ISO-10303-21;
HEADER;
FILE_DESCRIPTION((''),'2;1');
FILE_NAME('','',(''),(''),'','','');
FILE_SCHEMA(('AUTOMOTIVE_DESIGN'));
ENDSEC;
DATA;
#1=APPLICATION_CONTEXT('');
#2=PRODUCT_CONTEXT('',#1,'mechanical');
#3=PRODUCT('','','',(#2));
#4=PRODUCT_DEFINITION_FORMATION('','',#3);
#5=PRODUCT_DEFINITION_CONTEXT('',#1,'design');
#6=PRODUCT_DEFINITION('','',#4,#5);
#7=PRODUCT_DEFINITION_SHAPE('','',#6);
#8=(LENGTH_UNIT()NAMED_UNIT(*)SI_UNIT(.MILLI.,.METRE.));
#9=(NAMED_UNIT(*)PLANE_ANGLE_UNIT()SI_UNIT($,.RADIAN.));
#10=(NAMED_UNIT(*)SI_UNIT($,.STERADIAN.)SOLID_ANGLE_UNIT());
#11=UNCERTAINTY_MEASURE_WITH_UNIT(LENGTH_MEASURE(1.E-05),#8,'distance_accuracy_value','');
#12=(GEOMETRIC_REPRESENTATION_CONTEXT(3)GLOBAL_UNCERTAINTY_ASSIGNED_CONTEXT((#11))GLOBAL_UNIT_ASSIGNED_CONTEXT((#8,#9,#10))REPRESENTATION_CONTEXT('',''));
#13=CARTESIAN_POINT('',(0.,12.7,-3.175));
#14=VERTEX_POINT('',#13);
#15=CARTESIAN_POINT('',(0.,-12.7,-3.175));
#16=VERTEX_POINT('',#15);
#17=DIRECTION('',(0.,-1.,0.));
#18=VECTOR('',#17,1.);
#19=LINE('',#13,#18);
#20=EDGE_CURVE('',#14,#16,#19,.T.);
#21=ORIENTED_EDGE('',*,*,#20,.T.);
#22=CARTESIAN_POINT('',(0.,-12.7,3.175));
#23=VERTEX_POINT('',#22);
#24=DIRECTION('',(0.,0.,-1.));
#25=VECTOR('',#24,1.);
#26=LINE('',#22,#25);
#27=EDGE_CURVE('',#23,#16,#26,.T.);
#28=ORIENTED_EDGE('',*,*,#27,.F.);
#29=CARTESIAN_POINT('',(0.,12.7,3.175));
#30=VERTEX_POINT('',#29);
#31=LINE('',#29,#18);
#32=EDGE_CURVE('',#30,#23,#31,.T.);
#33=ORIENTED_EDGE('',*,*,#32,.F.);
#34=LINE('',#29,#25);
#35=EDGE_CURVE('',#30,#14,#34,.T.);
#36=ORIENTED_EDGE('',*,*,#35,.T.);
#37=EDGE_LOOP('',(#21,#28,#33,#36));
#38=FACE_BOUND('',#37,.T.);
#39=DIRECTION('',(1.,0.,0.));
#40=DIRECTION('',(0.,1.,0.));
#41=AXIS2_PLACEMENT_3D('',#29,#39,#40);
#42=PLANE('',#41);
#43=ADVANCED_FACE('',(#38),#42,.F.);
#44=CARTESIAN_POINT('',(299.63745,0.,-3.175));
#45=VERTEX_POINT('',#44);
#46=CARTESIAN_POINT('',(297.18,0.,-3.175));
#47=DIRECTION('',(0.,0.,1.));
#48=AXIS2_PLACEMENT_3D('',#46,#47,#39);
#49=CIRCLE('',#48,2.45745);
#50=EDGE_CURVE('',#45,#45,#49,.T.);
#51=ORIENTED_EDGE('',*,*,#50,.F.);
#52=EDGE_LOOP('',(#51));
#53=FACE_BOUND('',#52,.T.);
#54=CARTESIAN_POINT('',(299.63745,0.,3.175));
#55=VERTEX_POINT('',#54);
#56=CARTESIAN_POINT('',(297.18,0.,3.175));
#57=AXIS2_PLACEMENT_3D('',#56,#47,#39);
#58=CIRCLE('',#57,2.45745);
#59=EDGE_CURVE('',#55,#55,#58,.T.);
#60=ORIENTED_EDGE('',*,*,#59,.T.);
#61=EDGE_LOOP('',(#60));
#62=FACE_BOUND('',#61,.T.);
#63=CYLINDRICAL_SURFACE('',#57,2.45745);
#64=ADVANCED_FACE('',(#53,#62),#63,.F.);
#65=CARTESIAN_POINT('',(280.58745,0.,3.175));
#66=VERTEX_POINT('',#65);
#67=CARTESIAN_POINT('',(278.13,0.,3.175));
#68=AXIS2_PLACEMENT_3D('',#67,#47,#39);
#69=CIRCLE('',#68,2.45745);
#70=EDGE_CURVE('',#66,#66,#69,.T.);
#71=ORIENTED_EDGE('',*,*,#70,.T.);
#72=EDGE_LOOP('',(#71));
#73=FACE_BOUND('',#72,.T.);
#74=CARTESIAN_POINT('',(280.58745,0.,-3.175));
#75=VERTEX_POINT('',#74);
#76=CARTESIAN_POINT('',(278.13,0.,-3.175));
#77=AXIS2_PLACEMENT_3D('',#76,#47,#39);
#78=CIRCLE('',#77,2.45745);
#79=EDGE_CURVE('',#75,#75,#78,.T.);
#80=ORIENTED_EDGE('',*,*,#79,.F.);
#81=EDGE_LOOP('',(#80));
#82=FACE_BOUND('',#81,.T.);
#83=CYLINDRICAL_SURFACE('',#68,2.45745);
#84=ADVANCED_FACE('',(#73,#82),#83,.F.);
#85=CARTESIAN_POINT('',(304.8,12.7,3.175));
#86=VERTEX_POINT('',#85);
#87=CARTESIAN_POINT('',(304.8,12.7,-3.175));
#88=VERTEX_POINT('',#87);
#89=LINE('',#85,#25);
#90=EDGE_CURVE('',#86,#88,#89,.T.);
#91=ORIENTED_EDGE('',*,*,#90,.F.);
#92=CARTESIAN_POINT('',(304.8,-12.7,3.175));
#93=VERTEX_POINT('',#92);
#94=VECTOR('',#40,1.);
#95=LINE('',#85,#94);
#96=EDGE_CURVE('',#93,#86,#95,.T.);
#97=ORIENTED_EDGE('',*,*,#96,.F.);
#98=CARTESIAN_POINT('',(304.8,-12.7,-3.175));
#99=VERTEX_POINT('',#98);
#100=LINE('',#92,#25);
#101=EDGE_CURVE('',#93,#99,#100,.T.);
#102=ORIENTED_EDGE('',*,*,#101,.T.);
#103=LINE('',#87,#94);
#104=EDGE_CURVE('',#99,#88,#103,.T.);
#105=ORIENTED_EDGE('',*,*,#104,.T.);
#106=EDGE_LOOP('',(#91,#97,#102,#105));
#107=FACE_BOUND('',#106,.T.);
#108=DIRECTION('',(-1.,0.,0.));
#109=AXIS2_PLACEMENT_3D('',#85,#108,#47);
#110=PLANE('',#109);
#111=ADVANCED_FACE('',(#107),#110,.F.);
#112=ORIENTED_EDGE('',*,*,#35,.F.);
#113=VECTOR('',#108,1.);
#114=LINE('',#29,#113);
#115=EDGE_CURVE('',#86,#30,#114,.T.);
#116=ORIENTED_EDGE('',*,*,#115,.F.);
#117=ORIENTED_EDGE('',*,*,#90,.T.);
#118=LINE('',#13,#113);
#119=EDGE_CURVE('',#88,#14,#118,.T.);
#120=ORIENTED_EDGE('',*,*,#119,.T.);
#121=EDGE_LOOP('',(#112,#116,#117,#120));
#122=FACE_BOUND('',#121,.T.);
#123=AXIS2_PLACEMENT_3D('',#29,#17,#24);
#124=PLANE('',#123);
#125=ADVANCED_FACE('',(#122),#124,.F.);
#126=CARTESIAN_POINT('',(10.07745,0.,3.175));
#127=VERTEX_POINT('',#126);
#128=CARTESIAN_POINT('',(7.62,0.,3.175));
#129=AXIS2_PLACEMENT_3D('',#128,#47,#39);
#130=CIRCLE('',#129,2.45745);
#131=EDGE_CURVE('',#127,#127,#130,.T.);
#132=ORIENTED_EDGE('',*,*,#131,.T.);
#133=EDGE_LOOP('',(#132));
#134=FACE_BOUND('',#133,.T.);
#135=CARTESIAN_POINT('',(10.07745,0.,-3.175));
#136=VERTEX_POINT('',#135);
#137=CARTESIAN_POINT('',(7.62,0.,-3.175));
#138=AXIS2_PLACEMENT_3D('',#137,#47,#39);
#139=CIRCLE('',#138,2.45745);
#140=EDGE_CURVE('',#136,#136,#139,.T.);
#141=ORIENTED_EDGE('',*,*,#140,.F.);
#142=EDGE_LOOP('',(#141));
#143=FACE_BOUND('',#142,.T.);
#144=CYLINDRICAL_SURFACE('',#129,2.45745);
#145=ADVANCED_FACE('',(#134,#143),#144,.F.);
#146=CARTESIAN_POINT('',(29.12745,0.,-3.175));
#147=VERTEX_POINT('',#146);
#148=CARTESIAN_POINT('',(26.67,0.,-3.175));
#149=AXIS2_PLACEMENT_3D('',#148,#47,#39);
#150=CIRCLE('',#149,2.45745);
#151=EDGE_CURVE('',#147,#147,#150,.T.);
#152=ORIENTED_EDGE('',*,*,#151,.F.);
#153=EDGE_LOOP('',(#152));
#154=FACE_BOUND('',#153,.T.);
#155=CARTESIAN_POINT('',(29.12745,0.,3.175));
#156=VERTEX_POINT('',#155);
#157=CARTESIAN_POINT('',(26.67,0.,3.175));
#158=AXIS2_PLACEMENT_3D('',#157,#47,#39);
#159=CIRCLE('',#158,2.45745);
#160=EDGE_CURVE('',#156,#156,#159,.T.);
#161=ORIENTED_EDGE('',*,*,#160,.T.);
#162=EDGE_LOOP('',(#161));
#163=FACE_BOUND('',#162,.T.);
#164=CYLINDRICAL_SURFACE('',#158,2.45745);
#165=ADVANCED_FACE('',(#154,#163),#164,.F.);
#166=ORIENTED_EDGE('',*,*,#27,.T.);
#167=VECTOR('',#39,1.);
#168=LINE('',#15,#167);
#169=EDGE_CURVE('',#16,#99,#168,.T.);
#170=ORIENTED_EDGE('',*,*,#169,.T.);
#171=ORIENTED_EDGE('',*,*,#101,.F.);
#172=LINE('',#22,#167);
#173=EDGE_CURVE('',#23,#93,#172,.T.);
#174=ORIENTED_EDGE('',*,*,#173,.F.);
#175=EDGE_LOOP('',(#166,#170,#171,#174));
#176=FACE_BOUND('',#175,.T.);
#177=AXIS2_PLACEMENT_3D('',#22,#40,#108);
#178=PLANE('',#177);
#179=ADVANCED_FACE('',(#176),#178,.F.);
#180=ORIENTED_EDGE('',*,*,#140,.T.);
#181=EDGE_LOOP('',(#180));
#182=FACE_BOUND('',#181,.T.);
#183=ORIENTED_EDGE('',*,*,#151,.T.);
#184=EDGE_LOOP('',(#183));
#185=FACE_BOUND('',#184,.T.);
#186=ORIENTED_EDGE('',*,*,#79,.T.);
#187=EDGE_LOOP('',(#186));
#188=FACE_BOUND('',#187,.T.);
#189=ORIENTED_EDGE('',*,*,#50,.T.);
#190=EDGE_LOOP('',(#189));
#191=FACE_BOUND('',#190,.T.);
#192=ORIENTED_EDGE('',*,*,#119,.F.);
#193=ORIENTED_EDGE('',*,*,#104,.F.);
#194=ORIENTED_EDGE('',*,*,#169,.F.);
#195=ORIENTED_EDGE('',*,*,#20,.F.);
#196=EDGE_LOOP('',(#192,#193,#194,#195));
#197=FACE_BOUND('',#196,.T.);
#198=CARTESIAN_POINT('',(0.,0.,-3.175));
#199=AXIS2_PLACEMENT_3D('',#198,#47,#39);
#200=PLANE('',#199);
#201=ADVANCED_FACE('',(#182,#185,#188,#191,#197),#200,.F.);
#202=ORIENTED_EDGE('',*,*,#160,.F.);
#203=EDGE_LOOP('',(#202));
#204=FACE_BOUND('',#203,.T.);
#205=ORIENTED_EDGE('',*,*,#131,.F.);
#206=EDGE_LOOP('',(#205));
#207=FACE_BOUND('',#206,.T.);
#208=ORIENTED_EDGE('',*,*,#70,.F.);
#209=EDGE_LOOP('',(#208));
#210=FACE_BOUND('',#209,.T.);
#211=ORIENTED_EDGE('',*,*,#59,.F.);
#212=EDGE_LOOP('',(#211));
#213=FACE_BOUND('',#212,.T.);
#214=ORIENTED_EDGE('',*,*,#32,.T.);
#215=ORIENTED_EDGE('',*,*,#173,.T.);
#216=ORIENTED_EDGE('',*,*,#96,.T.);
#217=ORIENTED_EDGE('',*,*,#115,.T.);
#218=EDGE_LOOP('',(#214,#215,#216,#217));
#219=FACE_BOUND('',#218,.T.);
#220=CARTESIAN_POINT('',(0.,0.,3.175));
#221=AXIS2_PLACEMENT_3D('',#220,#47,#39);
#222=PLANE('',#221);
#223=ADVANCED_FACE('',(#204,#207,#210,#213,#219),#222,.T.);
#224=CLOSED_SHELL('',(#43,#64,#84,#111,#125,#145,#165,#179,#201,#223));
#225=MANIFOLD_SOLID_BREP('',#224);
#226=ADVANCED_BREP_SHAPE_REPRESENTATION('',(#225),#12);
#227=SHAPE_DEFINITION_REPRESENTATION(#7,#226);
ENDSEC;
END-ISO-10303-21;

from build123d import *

# Parameters (mm, degrees)
SKETCH1_W                        = 304.8
SKETCH1_H                        = 25.4
BOSS_EXTRUDE1_DEPTH              = 3.175
F_10_0_1935_DIAMETER_HOLE1_D     = 4.9149
F_10_0_1935_DIAMETER_HOLE1_DEPTH = 11.938
F_10_0_1935_DIAMETER_HOLE1_TIP   = 1.476584928


with BuildPart() as part:
    # Sketch1 → Boss-Extrude1 (new body, symmetric)
    with BuildSketch(Plane.XY):
        with Locations((152.4, 0)):
            Rectangle(SKETCH1_W, SKETCH1_H)
    extrude(amount=BOSS_EXTRUDE1_DEPTH, both=True)

    # #10 (0.1935) Diameter Hole1
    with Locations(Plane.XY.offset(3.175)):
        with Locations((7.62, 0), (26.67, 0), (278.13, 0), (297.18, 0)):
            Hole(F_10_0_1935_DIAMETER_HOLE1_D / 2, depth=F_10_0_1935_DIAMETER_HOLE1_DEPTH)
            with Locations((0, 0, -(F_10_0_1935_DIAMETER_HOLE1_DEPTH + F_10_0_1935_DIAMETER_HOLE1_TIP / 2))):  # 118° drill point
                Cone(0, F_10_0_1935_DIAMETER_HOLE1_D / 2, F_10_0_1935_DIAMETER_HOLE1_TIP, mode=Mode.SUBTRACT)


solid = part.part
